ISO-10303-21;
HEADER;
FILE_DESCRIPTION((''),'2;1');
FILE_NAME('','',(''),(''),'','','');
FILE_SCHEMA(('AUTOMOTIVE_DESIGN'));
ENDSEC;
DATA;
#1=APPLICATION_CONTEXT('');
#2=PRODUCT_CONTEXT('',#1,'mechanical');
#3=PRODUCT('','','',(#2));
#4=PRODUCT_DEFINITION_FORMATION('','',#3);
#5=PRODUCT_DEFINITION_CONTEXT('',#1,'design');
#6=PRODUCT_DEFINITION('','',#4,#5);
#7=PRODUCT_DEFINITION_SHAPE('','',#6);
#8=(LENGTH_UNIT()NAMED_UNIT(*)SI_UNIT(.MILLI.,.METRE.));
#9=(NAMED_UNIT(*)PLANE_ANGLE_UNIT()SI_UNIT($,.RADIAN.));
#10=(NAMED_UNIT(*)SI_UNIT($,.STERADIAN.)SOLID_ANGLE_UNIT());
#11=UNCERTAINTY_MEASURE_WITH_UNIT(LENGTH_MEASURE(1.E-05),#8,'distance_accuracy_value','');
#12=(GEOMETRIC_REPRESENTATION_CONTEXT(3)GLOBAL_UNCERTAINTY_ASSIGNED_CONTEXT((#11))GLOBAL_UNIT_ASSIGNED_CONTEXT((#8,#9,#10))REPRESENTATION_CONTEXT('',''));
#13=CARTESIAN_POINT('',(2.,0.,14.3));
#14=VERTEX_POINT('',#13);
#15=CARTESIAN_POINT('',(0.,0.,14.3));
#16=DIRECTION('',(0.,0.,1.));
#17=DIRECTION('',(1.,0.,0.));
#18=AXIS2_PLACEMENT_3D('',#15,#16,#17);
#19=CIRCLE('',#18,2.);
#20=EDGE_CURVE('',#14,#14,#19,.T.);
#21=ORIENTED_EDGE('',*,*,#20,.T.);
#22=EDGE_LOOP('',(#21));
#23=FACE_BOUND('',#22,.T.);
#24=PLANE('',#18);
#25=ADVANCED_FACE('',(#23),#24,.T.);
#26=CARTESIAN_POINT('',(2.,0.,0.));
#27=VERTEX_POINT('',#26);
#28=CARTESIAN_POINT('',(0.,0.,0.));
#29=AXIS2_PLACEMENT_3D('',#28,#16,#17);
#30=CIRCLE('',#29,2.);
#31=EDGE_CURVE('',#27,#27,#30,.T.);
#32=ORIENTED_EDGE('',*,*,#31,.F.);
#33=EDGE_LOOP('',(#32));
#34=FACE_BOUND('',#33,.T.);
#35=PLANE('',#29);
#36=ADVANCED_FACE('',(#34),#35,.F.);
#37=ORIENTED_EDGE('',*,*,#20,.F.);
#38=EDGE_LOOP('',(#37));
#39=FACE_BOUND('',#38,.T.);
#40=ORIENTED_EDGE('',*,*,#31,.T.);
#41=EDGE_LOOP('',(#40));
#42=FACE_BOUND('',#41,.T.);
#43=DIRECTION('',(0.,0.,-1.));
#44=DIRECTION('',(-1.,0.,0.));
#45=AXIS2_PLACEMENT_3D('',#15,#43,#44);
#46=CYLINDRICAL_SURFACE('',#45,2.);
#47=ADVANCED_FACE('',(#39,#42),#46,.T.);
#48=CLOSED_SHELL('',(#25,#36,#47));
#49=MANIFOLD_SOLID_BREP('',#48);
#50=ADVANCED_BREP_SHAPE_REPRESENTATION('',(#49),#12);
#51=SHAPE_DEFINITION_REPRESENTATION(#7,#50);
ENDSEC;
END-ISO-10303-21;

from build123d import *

# Parameters (mm, degrees)
SKETCH_1_R      = 2
EXTRUDE_1_DEPTH = 14.3


with BuildPart() as part:
    # 草图1 → 凸台-拉伸1 (new body)
    with BuildSketch(Plane.XY):
        Circle(SKETCH_1_R)
    extrude(amount=EXTRUDE_1_DEPTH)


solid = part.part
